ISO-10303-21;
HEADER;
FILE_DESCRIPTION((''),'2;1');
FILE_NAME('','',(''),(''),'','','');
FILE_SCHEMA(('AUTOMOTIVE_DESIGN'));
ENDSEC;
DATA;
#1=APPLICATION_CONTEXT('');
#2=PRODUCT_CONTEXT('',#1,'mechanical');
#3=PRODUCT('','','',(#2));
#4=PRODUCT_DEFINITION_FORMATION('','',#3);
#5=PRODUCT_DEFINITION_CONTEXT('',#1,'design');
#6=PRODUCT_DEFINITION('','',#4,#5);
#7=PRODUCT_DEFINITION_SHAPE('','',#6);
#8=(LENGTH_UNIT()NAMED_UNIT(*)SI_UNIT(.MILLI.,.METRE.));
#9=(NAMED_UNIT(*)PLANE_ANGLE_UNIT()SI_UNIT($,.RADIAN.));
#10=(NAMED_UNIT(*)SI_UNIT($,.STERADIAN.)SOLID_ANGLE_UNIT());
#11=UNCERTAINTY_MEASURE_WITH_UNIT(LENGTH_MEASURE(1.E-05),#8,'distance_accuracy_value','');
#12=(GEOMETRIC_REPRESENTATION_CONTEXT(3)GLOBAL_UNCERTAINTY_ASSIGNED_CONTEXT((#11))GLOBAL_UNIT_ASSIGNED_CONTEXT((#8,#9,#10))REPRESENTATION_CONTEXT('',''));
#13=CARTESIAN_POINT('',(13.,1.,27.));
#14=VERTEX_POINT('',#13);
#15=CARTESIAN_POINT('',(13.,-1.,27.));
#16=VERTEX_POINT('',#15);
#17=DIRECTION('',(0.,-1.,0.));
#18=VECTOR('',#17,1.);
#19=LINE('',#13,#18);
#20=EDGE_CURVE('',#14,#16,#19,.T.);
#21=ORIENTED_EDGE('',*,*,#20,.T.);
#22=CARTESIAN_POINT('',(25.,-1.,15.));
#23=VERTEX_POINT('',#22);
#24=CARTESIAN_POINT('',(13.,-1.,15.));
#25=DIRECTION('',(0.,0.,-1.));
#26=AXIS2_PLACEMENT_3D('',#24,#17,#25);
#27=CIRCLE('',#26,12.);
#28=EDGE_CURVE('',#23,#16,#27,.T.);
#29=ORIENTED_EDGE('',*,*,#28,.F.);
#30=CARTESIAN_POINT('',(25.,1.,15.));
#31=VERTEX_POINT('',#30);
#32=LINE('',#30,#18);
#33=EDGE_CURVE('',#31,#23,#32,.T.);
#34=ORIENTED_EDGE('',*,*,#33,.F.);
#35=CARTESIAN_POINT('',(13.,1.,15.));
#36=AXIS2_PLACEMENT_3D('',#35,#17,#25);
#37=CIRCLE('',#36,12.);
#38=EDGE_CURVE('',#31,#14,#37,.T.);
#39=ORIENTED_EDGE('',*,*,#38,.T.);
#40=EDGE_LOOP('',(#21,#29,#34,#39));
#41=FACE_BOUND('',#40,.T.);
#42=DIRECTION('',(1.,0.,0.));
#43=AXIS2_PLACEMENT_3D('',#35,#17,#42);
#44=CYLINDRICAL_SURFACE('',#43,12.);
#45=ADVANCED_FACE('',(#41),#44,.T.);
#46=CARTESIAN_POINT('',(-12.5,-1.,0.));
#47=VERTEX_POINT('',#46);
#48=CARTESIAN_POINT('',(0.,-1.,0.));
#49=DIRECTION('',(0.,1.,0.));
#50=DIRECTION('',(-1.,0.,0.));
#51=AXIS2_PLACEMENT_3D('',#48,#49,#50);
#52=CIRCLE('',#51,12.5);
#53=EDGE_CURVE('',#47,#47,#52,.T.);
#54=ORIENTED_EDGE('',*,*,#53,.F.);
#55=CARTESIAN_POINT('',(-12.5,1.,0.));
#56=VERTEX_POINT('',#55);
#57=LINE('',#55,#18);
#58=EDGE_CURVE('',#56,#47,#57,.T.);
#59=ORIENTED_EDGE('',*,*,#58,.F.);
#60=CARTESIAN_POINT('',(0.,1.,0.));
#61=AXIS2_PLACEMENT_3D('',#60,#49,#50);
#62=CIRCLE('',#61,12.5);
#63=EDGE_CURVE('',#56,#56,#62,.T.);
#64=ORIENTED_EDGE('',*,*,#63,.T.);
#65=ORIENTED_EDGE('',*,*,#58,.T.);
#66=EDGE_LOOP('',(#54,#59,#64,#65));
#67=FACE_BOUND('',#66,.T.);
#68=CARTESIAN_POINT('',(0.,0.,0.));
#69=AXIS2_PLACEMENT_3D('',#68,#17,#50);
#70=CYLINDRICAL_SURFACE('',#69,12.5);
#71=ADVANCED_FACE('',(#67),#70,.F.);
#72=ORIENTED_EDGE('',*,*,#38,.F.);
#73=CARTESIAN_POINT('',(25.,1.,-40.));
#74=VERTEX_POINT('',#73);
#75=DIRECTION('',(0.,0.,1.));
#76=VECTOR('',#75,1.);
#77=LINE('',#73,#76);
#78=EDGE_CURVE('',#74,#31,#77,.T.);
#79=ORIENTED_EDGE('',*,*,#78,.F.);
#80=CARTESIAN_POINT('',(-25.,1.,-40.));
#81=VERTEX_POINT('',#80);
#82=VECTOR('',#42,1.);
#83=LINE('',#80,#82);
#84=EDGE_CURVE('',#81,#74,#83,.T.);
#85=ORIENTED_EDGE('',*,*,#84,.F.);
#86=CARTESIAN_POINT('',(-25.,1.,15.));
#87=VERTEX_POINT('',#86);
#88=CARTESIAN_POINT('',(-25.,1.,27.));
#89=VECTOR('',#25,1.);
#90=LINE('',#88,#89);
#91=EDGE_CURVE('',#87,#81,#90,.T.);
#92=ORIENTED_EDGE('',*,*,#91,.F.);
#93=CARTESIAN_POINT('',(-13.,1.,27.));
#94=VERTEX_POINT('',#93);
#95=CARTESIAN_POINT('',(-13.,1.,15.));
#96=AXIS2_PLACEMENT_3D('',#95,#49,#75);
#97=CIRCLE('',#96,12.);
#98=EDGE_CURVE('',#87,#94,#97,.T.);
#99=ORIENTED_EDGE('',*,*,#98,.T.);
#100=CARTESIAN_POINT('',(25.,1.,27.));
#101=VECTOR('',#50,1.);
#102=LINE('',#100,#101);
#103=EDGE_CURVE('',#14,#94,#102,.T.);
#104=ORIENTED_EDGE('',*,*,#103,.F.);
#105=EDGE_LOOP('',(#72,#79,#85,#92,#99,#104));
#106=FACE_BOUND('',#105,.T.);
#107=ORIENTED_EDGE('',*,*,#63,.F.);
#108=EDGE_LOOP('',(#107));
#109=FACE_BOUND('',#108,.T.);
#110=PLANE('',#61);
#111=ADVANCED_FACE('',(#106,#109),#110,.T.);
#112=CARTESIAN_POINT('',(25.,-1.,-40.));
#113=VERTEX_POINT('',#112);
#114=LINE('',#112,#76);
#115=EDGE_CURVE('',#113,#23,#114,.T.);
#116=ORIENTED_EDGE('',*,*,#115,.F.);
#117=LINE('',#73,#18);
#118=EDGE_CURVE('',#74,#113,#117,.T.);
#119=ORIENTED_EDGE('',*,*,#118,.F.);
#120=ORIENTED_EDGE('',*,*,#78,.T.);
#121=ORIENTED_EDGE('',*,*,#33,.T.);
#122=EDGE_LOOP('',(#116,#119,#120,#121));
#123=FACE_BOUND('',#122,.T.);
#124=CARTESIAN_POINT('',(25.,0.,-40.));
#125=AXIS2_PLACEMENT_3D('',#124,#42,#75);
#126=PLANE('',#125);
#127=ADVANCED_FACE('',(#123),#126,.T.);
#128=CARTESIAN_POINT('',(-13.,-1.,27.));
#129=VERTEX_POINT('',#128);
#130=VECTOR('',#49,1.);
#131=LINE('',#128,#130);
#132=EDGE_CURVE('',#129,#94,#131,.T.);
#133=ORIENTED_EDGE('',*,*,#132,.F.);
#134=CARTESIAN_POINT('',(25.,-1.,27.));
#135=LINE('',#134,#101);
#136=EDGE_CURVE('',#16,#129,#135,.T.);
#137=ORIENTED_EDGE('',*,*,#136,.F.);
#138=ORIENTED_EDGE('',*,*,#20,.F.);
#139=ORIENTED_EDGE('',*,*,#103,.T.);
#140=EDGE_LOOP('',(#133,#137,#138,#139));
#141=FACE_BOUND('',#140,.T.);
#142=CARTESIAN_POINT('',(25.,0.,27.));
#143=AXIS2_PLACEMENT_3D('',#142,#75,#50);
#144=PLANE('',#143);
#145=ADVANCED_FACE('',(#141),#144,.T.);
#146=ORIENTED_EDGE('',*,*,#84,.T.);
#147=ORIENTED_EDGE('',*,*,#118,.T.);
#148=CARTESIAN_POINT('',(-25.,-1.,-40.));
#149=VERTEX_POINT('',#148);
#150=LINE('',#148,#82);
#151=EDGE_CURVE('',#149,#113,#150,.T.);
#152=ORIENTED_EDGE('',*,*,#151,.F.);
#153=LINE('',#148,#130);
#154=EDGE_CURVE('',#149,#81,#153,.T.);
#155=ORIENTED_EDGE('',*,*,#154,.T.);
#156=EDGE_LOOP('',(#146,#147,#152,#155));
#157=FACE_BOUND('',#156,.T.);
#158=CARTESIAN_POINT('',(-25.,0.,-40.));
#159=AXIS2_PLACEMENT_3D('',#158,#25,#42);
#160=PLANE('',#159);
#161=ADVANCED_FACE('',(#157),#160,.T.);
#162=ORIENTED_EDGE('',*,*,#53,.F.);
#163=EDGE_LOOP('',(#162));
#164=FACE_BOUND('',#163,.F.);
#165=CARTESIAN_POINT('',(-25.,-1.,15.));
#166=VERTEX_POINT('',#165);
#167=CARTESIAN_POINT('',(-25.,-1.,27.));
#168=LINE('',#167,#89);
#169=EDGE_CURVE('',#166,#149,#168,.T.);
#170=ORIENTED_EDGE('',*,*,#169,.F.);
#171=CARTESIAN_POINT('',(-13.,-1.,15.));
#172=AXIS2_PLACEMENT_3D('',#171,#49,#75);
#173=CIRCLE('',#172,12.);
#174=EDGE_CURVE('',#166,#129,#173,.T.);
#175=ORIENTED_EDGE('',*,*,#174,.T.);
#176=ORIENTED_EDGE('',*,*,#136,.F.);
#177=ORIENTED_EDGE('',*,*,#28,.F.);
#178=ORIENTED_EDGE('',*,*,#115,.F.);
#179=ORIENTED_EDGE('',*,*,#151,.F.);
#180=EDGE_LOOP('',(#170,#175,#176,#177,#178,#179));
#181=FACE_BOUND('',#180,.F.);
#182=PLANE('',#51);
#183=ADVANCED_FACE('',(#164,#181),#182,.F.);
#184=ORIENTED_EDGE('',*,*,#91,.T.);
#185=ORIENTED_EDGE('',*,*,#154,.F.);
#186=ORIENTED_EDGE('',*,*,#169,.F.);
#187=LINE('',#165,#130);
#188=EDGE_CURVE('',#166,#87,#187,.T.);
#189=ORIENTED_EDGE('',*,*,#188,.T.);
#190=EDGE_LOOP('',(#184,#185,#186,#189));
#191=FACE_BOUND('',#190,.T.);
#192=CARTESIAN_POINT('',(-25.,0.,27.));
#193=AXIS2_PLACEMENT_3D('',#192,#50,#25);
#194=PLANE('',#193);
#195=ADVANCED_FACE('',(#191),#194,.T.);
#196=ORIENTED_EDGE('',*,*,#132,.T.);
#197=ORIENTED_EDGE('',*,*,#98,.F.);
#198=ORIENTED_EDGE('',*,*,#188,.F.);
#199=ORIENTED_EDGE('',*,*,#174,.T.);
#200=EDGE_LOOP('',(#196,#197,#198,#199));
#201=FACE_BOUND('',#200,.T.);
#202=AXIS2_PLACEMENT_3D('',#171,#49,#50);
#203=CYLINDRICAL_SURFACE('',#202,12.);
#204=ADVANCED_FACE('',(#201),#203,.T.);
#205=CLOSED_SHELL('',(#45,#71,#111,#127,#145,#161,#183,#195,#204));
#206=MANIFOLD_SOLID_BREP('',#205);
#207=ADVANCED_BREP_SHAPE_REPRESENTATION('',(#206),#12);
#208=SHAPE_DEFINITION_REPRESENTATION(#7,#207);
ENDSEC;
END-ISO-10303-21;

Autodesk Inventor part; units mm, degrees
ref_plane "YZ Plane" through (0, 0, 0) normal (1, 0, 0) x (0, 1, 0)
ref_plane "XZ Plane" through (0, 0, 0) normal (0, 1, 0) x (-1, 0, 0)
ref_plane "XY Plane" through (0, 0, 0) normal (0, 0, 1) x (1, 0, 0)
sketch "Sketch1" plane through (0, 0, 0) normal (0, 1, 0) x (-1, 0, 0)
  circle A0 centre (0, 0) radius 12.5
  line L0 (25, -40) -> (-25, -40)
  line L1 (-25, -40) -> (-25, 27)
  line L2 (-25, 27) -> (25, 27)
  line L3 (25, 27) -> (25, -40)
  point P0 (0, -40)
  dimension "d0" = 25
  dimension "d1" = 50
  dimension "d2" = 67
  dimension "d3" = 40
extrude "Extrusion1" add sketch "Sketch1" along normal mid plane 2
fillet "Fillet1" radius 12 2 edges at (25, 0, 27) (-25, 0, 27)
properties part number "bracket"
